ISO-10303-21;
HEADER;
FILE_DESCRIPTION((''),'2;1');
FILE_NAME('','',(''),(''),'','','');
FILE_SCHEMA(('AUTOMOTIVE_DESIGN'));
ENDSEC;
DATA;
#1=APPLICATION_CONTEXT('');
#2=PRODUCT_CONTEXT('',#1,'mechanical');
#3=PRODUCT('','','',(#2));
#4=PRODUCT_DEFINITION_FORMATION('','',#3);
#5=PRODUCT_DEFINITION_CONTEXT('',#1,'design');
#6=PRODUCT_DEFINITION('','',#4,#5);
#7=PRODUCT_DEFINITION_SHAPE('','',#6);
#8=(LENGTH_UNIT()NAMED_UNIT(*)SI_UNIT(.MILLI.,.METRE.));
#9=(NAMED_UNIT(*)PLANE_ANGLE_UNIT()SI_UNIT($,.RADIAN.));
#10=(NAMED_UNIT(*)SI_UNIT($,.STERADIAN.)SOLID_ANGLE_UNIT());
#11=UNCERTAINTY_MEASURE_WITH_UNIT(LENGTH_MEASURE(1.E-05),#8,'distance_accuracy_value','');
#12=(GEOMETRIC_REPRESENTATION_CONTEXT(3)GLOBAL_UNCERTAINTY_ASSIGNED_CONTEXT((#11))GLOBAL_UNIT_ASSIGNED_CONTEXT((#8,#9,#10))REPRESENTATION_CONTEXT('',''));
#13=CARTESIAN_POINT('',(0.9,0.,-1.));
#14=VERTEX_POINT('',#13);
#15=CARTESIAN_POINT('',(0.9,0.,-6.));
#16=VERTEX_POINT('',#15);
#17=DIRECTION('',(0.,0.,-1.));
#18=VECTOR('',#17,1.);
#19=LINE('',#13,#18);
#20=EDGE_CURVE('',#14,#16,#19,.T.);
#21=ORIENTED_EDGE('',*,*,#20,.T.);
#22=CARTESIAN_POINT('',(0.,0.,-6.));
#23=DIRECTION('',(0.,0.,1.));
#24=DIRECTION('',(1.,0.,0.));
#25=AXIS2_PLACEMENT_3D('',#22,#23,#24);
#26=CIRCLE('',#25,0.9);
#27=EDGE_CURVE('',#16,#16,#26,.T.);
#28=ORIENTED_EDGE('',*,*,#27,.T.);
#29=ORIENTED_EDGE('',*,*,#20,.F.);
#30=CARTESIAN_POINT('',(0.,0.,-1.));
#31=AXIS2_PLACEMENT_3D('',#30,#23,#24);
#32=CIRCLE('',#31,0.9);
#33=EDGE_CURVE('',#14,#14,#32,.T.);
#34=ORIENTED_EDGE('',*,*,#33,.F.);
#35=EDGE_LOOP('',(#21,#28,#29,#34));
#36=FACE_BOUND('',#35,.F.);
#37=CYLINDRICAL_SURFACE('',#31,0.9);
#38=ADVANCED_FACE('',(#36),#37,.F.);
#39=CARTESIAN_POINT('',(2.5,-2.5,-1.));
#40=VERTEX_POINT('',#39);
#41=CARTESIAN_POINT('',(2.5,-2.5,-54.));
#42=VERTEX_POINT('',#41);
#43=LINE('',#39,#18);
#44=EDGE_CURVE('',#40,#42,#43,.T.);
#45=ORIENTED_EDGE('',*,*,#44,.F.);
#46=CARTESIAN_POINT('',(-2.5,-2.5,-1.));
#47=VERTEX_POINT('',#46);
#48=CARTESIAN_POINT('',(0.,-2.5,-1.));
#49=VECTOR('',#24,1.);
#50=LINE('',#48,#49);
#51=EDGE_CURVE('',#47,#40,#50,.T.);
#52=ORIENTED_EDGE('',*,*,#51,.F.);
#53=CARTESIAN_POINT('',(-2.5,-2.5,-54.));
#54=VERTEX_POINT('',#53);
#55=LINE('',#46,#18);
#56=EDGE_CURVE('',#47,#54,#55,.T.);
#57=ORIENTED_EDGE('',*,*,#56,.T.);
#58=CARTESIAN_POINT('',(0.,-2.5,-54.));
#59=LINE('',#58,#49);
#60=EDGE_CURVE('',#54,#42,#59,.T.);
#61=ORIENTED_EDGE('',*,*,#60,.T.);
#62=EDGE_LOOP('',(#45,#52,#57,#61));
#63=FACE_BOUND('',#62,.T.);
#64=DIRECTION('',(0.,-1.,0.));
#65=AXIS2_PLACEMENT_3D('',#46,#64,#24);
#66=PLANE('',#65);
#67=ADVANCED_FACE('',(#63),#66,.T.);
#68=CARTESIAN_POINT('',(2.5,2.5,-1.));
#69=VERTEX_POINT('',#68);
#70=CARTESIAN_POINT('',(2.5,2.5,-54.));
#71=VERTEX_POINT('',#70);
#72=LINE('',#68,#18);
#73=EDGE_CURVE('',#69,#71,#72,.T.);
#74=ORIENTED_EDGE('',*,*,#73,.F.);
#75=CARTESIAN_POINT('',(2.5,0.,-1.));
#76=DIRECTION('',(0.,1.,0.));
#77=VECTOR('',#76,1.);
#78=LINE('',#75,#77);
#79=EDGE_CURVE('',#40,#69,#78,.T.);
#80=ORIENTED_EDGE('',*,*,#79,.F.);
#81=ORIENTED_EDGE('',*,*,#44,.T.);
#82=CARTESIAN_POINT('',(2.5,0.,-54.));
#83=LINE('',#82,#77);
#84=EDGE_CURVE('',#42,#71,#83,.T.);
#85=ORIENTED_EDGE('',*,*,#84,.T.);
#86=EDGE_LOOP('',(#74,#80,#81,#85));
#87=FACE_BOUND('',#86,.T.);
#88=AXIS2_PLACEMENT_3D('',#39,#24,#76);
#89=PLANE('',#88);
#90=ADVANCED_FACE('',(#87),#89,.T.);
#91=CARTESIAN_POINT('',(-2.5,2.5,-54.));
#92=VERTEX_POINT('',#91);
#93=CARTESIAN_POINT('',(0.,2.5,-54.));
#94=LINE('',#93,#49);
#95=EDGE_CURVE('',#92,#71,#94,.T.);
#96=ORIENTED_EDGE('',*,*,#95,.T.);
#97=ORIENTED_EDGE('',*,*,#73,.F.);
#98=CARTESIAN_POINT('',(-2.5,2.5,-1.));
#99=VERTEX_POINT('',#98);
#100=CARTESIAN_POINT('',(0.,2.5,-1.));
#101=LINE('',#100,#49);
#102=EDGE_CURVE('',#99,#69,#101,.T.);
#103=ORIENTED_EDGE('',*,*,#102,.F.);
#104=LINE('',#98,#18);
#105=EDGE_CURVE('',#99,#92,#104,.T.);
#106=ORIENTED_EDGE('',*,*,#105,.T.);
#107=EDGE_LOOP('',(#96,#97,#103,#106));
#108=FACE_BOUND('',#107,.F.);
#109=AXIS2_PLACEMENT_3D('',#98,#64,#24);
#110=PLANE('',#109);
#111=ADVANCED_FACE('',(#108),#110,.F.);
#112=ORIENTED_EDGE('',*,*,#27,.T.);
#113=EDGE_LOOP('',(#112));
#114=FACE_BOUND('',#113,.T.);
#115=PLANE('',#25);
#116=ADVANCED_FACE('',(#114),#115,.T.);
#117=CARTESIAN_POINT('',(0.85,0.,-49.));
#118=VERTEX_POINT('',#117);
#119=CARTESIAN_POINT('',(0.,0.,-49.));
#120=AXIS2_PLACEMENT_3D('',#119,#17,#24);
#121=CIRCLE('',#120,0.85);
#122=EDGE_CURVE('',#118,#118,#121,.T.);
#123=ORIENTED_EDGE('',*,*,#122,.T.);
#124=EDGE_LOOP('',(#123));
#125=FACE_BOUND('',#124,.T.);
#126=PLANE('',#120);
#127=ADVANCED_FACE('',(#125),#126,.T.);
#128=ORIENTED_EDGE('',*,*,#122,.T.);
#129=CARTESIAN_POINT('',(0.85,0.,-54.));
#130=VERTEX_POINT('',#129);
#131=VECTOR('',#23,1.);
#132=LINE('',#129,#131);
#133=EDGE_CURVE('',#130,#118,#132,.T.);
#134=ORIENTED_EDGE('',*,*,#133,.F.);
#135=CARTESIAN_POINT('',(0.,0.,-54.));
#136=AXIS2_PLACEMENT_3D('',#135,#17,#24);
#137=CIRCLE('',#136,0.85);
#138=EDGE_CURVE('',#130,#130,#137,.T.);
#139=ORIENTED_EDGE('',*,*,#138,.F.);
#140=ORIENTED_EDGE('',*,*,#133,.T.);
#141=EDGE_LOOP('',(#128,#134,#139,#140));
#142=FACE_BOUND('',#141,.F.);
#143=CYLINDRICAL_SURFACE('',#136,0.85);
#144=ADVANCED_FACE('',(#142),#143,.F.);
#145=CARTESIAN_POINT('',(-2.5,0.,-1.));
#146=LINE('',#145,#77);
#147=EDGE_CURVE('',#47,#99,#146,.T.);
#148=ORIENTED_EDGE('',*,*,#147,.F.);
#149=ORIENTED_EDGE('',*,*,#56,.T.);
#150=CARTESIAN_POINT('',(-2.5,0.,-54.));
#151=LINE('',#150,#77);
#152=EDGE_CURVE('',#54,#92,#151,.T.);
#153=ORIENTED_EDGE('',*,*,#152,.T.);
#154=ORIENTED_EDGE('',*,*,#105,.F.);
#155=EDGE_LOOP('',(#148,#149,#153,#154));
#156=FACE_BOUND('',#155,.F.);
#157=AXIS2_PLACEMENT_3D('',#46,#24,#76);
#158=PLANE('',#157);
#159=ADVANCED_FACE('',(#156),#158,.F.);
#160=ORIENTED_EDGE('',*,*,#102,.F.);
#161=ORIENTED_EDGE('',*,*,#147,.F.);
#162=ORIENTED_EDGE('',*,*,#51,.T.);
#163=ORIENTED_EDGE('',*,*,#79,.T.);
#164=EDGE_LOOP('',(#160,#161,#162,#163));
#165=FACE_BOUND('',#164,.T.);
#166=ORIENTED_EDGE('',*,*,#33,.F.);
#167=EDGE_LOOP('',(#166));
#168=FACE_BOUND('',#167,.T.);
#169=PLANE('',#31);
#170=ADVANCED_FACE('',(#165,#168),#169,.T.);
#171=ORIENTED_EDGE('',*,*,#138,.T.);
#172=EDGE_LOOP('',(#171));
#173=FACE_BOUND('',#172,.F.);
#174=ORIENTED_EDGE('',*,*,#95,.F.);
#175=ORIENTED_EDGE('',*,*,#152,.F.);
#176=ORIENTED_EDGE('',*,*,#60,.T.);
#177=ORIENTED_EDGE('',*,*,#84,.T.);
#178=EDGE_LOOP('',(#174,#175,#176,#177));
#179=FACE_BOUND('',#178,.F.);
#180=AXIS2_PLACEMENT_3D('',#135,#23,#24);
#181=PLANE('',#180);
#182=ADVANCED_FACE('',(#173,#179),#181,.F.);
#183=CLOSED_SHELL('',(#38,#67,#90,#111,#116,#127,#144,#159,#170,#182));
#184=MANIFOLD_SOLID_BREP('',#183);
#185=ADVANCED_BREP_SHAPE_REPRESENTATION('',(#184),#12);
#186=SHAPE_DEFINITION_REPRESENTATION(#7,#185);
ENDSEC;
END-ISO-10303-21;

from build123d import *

# Parameters (mm, degrees)
SKETCH006_W     = 5
SKETCH006_H     = 5
PAD002_DEPTH    = 53
SKETCH007_R     = 0.9
POCKET003_DEPTH = 5
SKETCH009_R     = 0.85
POCKET004_DEPTH = 5


with BuildPart() as part:
    # Sketch006 → Pad002 (new body)
    with BuildSketch(Plane.XY.offset(-1)):
        Rectangle(SKETCH006_W, SKETCH006_H)
    extrude(amount=-PAD002_DEPTH)

    # Sketch007 (on Face5 of Pad002) → Pocket003 (cut)
    with BuildSketch(Plane.XY.offset(-1)):
        Circle(SKETCH007_R)
    extrude(amount=-POCKET003_DEPTH, mode=Mode.SUBTRACT)

    # Sketch009 (on Face5 of Pocket003) → Pocket004 (cut)
    with BuildSketch(Plane(origin=(0, 0, -54), x_dir=(1, 0, 0), z_dir=(0, 0, -1))):
        Circle(SKETCH009_R)
    extrude(amount=-POCKET004_DEPTH, mode=Mode.SUBTRACT)


solid = part.part
